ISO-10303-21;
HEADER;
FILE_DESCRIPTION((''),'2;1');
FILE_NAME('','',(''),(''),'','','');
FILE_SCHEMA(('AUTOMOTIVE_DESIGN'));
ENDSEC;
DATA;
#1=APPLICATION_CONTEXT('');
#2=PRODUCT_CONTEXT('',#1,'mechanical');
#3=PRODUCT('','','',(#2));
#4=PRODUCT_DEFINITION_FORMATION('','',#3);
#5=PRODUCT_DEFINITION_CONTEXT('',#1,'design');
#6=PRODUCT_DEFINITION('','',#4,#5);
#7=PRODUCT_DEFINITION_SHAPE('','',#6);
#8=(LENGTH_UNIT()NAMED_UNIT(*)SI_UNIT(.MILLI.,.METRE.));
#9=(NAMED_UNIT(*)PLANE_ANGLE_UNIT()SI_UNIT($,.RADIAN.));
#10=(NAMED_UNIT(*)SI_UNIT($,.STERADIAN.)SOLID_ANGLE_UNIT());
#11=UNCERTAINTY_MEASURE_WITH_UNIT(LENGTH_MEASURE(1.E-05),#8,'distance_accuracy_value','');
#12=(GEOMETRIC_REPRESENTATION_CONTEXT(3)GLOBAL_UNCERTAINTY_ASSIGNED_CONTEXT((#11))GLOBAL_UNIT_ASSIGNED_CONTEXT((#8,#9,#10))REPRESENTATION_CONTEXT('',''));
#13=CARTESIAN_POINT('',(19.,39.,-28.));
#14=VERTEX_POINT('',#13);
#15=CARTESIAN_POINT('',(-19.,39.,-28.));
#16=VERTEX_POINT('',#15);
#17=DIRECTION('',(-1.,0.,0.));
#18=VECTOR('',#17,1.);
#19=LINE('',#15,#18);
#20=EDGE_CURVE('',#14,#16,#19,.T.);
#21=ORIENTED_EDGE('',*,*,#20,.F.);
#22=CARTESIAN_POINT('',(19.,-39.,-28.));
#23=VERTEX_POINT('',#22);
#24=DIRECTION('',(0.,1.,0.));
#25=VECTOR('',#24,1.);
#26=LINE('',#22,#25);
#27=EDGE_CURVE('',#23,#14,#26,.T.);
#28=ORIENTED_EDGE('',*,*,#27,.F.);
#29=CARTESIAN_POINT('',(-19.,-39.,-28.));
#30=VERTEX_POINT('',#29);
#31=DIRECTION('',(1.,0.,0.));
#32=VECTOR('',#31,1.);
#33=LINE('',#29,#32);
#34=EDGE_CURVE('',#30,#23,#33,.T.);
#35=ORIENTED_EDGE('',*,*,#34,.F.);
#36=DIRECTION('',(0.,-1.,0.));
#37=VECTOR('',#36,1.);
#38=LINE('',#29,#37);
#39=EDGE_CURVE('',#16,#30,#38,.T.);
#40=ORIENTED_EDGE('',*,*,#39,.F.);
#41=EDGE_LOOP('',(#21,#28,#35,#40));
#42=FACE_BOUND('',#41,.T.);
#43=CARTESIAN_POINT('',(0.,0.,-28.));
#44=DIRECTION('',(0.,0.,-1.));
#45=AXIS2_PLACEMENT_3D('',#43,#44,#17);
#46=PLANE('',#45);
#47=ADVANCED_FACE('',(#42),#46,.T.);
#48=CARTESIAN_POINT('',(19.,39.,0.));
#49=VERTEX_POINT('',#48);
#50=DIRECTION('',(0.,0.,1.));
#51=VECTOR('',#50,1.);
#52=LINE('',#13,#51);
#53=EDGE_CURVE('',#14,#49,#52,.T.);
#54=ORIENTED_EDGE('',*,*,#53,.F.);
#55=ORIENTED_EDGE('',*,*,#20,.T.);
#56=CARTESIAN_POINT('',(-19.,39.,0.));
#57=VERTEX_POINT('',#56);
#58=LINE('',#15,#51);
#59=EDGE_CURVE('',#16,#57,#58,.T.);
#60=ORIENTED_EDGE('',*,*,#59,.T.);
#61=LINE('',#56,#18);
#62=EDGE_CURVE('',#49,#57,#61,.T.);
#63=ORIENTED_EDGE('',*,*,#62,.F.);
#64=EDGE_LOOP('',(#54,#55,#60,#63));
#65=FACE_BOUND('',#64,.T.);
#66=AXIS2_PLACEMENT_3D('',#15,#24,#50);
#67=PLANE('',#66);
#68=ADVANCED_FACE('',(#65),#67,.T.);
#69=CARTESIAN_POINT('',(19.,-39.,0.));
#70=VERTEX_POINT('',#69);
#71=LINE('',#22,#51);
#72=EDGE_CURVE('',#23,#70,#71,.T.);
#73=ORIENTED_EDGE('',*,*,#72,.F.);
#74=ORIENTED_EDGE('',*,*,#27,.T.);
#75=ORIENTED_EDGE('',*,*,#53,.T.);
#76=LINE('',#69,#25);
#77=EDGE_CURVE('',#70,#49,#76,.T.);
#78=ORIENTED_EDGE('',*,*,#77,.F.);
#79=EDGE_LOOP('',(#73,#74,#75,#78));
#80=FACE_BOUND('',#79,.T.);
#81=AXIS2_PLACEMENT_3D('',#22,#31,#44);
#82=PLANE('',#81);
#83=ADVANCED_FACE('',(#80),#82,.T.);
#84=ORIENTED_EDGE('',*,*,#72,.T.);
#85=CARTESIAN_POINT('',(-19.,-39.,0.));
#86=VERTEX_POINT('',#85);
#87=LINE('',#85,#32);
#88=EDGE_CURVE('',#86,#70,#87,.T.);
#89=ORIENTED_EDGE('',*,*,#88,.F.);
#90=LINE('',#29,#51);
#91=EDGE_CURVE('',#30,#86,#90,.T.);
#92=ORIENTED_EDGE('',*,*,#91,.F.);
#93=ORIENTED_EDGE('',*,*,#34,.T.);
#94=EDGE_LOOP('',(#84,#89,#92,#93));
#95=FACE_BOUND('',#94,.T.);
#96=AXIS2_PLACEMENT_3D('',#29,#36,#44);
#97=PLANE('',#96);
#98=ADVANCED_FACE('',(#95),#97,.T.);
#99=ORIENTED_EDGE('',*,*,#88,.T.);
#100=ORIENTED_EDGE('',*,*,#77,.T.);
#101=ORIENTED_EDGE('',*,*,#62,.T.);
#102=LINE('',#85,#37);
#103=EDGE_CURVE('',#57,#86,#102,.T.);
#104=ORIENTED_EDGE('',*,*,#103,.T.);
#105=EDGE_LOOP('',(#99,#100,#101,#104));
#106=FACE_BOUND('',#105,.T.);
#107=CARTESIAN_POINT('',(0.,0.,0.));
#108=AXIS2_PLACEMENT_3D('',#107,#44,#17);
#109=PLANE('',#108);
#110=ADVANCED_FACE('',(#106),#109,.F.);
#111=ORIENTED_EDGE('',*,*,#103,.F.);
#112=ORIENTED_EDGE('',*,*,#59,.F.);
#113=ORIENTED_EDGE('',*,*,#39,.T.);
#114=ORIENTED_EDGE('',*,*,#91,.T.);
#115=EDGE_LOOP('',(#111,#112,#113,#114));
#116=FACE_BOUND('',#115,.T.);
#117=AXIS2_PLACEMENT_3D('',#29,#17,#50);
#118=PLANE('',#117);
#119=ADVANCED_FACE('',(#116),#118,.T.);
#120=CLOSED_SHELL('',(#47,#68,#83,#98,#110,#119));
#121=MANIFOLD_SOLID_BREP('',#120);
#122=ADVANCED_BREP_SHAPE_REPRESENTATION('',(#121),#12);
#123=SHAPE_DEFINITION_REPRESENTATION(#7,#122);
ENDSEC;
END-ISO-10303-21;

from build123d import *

# Parameters (mm, degrees)
SKETCH_1_W      = 38
SKETCH_1_H      = 78
EXTRUDE_1_DEPTH = 28


with BuildPart() as part:
    # 草图1 → 凸台-拉伸1 (new body)
    with BuildSketch(Plane.XY):
        Rectangle(SKETCH_1_W, SKETCH_1_H)
    extrude(amount=-EXTRUDE_1_DEPTH)


solid = part.part
